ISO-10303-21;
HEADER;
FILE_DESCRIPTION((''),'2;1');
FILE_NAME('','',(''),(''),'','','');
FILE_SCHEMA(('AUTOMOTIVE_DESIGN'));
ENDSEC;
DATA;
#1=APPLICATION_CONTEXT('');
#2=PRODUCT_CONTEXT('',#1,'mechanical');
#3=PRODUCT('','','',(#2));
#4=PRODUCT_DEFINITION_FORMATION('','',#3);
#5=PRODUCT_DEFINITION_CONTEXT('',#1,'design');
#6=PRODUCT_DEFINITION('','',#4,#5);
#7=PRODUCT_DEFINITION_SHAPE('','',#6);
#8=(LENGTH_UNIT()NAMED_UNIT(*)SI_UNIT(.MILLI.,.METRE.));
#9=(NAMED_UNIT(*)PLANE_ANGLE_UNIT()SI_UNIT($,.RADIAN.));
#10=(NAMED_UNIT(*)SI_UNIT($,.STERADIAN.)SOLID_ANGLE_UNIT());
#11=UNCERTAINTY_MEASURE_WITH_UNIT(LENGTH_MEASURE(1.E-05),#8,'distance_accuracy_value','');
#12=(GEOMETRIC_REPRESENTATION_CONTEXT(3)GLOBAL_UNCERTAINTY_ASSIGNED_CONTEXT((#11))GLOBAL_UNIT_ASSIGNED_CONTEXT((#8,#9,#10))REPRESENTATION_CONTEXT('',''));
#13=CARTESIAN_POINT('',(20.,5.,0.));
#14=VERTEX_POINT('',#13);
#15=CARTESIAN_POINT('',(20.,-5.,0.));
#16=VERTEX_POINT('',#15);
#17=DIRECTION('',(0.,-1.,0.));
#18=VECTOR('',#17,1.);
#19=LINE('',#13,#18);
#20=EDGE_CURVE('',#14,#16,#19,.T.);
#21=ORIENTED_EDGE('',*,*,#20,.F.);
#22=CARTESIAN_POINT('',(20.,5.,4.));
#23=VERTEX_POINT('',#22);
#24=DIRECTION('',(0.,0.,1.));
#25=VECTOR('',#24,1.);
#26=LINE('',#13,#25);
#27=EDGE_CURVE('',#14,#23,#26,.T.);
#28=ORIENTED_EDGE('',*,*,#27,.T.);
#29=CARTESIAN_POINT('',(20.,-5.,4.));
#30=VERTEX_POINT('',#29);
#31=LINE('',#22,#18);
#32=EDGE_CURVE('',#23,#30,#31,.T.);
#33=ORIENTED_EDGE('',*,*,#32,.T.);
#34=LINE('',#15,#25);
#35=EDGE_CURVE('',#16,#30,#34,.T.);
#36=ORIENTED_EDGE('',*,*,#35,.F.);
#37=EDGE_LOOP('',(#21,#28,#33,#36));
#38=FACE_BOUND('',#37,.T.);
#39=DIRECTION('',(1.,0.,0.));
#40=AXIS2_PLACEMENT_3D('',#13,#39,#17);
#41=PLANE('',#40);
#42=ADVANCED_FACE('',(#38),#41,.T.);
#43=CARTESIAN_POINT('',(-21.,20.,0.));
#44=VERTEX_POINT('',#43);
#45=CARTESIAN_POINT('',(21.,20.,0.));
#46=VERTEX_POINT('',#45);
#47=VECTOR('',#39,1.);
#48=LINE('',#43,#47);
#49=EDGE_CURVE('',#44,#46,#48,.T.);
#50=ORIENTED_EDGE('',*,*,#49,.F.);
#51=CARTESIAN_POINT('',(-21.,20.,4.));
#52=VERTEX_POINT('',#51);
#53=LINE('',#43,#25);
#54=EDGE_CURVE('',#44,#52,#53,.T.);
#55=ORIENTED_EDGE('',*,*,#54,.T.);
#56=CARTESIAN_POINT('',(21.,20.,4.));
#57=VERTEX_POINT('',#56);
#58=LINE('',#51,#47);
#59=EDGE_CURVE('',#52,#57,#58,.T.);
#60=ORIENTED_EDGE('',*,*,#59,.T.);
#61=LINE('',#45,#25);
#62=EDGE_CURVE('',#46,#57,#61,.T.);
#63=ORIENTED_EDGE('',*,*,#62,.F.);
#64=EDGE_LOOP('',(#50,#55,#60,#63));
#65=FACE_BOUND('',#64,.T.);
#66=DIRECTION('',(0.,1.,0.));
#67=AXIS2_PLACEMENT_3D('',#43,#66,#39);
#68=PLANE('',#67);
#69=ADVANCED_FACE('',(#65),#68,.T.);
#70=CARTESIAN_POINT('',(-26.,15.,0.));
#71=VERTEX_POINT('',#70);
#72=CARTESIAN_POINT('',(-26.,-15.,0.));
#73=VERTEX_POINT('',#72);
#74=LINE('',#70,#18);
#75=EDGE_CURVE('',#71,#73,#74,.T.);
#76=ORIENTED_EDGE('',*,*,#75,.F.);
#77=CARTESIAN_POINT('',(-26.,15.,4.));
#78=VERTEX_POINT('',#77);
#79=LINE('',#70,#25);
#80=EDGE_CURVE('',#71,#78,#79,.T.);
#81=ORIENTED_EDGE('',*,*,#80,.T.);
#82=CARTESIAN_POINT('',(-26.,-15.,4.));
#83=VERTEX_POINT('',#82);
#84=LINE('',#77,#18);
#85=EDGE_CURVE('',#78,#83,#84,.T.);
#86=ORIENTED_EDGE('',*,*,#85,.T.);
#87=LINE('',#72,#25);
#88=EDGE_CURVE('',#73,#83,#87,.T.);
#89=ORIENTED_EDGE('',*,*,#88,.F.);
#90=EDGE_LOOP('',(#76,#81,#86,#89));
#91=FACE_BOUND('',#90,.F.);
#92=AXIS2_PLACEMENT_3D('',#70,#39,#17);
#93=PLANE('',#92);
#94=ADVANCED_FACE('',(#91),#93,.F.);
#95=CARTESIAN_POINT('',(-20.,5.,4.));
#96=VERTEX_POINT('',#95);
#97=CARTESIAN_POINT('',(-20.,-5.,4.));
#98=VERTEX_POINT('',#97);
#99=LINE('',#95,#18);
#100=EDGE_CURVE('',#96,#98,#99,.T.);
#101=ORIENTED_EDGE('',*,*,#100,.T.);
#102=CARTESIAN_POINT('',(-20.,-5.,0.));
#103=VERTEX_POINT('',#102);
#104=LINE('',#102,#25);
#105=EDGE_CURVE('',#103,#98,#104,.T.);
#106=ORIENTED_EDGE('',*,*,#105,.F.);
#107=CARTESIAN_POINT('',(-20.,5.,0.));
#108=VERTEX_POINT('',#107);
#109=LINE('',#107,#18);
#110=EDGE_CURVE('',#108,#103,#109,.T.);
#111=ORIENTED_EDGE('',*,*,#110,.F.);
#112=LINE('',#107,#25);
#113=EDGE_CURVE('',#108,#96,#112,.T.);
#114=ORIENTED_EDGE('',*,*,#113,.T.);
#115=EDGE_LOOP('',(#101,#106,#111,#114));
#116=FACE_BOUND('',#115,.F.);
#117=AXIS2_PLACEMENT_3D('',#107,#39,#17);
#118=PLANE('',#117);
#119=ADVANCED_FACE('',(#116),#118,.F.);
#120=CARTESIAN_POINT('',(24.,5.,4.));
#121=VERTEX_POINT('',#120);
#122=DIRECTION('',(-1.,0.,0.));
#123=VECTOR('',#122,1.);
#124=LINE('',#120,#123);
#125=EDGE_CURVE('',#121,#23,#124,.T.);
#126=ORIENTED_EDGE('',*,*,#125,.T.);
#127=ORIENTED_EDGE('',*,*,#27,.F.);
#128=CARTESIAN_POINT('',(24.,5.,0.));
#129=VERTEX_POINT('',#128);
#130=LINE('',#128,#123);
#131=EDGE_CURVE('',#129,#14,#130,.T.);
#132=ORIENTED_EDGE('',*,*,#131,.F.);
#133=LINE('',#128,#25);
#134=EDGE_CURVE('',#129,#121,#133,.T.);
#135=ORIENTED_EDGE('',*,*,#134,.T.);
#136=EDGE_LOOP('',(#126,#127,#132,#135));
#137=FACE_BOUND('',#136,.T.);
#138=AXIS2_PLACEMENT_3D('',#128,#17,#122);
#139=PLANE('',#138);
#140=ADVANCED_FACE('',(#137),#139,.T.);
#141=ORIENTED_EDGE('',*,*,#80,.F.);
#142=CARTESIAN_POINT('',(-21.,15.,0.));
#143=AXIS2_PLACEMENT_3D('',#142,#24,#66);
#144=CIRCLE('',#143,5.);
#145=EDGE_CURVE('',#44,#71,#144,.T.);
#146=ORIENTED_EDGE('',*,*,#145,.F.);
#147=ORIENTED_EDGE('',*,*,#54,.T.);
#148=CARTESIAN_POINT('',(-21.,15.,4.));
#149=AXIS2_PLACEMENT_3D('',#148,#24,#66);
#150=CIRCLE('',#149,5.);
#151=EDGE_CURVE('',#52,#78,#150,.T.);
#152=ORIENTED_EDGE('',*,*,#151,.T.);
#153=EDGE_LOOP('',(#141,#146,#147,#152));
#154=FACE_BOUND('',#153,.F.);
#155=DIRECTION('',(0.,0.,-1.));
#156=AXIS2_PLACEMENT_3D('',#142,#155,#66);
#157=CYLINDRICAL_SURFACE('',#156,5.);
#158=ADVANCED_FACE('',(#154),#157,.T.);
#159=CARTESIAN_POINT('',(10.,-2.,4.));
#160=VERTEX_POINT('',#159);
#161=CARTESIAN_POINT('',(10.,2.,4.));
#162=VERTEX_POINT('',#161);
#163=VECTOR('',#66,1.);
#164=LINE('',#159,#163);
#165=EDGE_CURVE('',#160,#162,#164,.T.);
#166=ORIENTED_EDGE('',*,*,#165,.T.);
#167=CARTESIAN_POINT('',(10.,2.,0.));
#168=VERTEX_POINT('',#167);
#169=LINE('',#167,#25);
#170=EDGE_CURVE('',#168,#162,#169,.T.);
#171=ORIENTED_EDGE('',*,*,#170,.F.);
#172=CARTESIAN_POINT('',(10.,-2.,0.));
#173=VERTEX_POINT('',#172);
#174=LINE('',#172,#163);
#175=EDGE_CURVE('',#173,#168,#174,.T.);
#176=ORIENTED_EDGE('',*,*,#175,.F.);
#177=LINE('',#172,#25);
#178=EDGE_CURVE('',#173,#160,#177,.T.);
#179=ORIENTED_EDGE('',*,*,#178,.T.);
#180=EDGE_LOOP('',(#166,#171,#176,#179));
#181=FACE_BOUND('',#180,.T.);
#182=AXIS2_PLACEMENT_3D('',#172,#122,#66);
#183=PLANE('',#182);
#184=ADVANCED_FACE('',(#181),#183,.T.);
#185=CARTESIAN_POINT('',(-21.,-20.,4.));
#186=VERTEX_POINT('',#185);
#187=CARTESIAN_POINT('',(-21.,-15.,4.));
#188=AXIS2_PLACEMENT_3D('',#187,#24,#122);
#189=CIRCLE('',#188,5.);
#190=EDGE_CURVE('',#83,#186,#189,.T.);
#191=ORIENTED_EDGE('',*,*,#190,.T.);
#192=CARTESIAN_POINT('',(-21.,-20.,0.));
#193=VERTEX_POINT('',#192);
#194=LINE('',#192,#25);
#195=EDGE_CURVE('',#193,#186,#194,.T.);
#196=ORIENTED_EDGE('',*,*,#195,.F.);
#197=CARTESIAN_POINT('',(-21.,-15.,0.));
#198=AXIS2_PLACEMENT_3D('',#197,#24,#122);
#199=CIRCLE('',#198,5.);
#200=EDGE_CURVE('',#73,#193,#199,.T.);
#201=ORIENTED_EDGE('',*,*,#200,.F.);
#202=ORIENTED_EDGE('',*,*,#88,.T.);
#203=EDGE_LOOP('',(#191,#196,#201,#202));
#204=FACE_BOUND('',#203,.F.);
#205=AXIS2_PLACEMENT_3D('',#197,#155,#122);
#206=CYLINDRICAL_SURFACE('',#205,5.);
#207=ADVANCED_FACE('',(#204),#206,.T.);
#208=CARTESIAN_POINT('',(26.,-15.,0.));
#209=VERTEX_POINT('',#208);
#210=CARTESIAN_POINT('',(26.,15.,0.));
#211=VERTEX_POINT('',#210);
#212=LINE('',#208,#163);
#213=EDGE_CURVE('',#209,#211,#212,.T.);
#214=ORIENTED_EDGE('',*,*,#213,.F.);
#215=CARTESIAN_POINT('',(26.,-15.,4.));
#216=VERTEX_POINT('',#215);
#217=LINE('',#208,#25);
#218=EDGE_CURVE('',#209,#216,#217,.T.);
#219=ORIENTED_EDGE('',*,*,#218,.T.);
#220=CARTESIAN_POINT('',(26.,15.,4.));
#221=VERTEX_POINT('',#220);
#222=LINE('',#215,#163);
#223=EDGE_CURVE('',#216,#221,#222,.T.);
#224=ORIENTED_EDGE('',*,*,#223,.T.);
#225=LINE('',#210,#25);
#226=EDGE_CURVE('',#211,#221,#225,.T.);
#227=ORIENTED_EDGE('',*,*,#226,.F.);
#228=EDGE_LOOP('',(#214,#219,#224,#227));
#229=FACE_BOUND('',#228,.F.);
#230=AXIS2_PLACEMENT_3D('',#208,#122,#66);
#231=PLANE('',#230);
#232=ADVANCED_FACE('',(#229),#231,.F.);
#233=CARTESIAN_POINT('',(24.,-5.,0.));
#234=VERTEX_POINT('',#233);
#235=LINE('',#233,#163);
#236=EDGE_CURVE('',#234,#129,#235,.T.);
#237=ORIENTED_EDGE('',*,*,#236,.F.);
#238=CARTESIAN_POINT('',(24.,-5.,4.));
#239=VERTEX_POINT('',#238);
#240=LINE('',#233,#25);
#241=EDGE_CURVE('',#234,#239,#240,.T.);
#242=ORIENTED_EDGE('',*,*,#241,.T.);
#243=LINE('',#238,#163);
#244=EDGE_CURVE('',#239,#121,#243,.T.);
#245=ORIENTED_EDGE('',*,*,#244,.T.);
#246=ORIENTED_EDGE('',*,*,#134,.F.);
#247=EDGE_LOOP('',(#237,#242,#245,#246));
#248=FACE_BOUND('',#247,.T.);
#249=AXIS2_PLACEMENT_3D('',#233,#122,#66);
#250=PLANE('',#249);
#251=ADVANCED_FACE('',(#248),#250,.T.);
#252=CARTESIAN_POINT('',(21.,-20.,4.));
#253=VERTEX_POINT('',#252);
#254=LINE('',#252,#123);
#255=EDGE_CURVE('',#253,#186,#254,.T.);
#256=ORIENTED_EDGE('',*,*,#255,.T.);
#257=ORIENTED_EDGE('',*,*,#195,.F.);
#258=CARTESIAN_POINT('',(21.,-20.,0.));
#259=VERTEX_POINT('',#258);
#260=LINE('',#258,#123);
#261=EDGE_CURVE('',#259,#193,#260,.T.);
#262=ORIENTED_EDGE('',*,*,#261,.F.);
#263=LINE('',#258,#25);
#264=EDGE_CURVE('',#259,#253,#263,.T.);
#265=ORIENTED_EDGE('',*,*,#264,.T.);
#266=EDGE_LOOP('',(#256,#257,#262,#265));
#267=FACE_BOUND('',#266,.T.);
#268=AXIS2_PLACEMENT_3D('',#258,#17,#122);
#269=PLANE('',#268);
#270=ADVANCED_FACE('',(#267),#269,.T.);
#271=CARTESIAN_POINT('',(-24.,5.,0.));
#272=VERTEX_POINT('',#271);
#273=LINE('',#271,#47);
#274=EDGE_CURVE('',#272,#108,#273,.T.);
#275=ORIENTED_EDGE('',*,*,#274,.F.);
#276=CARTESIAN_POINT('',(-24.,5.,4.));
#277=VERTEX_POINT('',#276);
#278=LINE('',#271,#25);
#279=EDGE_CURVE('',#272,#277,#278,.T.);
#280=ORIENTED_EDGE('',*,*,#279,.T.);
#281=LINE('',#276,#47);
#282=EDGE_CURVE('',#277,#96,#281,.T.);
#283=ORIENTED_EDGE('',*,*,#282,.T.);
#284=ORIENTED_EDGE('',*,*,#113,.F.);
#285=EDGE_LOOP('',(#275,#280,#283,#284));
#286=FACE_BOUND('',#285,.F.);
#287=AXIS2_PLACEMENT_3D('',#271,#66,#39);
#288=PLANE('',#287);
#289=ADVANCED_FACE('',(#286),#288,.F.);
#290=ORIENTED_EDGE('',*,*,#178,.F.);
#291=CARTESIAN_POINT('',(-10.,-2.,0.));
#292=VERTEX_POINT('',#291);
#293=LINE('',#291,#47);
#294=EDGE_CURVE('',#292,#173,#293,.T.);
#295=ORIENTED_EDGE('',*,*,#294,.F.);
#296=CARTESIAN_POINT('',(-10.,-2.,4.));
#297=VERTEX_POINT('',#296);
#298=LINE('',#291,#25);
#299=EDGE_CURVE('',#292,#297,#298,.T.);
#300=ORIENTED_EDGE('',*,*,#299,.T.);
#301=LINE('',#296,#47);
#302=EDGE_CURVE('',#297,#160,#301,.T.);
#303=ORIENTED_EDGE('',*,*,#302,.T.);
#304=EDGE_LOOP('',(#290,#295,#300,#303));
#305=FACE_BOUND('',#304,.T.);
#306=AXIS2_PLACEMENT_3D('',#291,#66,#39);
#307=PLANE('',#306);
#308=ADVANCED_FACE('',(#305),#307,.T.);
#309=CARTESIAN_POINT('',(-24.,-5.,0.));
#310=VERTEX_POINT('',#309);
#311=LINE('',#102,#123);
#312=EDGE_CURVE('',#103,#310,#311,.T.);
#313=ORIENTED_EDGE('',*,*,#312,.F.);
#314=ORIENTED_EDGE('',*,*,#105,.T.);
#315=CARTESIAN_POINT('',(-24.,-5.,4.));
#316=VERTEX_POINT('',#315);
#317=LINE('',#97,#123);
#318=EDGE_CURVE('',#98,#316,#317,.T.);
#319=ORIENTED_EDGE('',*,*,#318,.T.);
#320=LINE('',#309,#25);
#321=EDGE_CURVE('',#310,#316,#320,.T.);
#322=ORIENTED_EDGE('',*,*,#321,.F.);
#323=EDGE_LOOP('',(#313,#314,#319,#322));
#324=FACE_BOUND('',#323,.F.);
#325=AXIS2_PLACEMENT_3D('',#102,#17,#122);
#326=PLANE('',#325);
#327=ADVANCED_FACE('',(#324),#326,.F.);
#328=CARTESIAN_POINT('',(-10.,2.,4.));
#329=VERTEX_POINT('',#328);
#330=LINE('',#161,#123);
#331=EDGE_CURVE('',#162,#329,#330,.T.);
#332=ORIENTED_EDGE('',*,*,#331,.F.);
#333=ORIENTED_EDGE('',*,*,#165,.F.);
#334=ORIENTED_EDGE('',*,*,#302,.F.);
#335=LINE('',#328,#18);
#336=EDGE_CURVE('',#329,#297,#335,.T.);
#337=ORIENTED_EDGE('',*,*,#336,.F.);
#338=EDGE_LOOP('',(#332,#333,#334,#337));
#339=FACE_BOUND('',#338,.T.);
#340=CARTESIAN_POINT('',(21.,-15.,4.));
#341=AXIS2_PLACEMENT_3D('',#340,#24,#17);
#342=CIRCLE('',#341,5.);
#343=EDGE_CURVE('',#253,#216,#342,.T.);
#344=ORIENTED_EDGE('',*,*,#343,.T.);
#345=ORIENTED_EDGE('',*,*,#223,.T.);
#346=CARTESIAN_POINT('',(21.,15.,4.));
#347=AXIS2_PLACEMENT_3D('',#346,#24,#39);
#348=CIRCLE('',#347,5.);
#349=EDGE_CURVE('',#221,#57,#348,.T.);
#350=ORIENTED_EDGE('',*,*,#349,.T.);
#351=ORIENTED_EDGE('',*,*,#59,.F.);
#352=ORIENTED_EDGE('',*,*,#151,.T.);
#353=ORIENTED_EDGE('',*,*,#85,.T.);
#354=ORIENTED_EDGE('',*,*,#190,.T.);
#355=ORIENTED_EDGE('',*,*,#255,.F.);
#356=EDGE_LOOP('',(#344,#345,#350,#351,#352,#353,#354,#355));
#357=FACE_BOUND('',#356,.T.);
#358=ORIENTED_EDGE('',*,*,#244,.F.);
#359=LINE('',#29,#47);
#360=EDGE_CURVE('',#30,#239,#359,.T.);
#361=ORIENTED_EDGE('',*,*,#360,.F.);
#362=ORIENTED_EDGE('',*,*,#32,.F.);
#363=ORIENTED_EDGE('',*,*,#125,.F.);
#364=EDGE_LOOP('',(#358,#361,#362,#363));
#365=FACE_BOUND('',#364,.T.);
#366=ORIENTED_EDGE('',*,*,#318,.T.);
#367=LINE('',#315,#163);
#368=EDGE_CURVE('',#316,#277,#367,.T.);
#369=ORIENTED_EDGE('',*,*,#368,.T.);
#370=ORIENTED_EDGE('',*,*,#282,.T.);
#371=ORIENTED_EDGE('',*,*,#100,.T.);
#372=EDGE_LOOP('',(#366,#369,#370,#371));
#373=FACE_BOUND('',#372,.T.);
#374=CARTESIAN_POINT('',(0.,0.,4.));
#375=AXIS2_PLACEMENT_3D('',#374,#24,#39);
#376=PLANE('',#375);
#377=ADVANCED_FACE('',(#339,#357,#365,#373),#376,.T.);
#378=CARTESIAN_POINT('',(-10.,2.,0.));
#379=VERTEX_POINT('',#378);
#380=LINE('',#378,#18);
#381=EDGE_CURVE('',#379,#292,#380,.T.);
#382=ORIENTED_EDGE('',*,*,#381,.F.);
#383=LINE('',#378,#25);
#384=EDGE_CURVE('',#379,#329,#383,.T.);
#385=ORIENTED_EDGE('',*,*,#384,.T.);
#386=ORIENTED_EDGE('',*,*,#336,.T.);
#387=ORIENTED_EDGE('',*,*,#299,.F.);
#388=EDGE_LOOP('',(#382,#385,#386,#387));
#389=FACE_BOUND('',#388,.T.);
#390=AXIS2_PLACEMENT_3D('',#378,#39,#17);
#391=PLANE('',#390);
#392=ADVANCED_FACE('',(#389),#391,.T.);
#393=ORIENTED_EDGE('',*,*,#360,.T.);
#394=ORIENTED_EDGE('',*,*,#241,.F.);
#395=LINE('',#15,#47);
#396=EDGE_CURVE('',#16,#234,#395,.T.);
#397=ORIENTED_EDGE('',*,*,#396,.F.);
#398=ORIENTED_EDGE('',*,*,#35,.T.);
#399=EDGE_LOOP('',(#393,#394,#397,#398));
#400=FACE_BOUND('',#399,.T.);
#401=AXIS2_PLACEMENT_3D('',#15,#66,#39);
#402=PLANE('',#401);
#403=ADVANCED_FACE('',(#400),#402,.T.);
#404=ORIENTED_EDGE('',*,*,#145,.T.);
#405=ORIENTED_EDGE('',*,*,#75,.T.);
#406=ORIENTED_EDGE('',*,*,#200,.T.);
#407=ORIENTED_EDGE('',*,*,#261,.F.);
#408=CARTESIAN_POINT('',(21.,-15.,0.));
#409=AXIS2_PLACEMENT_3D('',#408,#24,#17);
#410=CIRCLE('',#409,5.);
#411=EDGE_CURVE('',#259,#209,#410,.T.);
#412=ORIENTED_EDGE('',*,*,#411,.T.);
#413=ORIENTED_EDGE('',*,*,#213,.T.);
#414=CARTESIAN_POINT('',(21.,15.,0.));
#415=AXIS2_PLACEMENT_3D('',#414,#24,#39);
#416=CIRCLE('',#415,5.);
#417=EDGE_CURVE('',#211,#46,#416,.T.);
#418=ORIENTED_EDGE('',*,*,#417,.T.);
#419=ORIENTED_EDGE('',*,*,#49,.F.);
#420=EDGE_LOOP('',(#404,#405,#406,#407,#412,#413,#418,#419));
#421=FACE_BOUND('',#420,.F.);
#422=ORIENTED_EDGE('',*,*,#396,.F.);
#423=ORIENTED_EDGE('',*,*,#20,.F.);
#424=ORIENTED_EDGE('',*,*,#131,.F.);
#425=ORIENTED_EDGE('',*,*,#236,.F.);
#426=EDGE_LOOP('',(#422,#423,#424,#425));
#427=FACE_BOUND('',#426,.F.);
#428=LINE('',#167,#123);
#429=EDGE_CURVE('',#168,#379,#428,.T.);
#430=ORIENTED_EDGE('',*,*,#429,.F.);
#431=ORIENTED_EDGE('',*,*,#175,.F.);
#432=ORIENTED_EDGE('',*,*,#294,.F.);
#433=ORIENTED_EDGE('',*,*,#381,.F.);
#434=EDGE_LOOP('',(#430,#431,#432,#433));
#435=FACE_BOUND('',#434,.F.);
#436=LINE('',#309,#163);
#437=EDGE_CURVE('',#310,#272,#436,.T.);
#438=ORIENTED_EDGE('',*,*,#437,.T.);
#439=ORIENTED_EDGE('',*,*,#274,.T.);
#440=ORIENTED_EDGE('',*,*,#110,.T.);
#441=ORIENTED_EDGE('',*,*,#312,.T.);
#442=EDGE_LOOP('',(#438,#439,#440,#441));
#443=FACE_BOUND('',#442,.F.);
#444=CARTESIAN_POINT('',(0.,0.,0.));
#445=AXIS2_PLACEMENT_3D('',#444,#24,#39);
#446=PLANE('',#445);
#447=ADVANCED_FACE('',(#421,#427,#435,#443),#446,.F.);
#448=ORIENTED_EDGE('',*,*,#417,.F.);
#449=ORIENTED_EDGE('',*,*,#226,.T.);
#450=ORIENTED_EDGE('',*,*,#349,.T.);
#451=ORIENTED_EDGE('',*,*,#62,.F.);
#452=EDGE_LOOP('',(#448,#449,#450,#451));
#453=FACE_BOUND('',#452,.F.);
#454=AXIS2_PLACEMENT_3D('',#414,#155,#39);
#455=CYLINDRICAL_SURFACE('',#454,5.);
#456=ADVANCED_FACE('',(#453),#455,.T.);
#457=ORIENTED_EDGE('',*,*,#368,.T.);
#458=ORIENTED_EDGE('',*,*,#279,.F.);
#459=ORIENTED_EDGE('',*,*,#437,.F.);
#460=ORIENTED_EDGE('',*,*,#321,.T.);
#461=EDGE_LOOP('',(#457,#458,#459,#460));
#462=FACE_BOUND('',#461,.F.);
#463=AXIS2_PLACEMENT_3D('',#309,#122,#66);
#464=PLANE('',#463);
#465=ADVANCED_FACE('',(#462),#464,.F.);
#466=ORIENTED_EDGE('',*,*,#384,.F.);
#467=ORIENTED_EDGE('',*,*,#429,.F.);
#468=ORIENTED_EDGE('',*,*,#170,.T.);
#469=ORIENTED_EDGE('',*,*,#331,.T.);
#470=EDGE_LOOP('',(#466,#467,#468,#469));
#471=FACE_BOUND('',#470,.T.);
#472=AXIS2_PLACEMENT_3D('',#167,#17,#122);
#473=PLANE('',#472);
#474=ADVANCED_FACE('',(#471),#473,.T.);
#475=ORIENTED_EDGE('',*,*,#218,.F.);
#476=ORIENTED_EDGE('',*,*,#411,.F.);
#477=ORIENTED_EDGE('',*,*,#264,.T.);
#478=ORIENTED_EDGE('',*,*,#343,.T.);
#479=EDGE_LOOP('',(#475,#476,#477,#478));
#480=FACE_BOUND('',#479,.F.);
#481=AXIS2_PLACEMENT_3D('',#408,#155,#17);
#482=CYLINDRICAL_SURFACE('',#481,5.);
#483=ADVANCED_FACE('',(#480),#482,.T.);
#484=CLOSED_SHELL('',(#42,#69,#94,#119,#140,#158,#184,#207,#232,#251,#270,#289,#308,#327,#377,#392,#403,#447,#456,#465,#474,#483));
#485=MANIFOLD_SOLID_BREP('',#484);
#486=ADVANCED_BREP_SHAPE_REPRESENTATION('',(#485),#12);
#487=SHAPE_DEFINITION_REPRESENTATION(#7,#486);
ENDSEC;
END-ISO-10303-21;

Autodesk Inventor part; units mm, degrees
ref_plane "YZ Plane" through (0, 0, 0) normal (1, 0, 0) x (0, 1, 0)
ref_plane "XZ Plane" through (0, 0, 0) normal (0, 1, 0) x (-1, 0, 0)
ref_plane "XY Plane" through (0, 0, 0) normal (0, 0, 1) x (1, 0, 0)
sketch "Эскиз1" plane through (0, 0, 0) normal (0, 0, 1) x (1, 0, 0)
  line L0 (-25, 0) -> (25, 0) construction
  line L1 (-10, -2) -> (10, -2)
  line L2 (10, -2) -> (10, 2)
  line L3 (10, 2) -> (-10, 2)
  line L4 (-10, 2) -> (-10, -2)
  line L5 (-24, 5) -> (-20, 5)
  line L6 (-20, 5) -> (-20, -5)
  line L7 (-20, -5) -> (-24, -5)
  line L8 (-24, -5) -> (-24, 5)
  line L9 (0, 20) -> (0, -20) construction
  line L10 (24, 5) -> (20, 5)
  line L11 (20, 5) -> (20, -5)
  line L12 (20, -5) -> (24, -5)
  line L13 (24, -5) -> (24, 5)
  line L14 (-21, 20) -> (21, 20)
  line L15 (21, 20) -> (21, -20) construction
  line L16 (21, -20) -> (-21, -20)
  line L17 (-21, -20) -> (-21, 20) construction
  arc A0 (-21, 20) -> (-26, 15) centre (-21, 15) ccw
  arc A1 (-26, -15) -> (-21, -20) centre (-21, -15) ccw
  arc A2 (21, -20) -> (26, -15) centre (21, -15) ccw
  arc A3 (26, 15) -> (21, 20) centre (21, 15) ccw
  line L18 (-26, 15) -> (-26, -15)
  line L19 (26, -15) -> (26, 15)
  point P0 (0, 0)
  point P1 (-20, 0)
  point P2 (-10, 0)
  point P3 (0, -2)
  point P4 (0, 0)
  dimension "d0" = 4
  dimension "d1" = 40
  dimension "d2" = 20
  dimension "d3" = 10
  dimension "d4" = 50
  dimension "d6" = 52
  dimension "d7" = 40
  dimension "d8" = 5
extrude "Выдавливание1" add sketch "Эскиз1" along normal blind 4
properties part number "PistonPart5" material "Дерево (вишня)"
